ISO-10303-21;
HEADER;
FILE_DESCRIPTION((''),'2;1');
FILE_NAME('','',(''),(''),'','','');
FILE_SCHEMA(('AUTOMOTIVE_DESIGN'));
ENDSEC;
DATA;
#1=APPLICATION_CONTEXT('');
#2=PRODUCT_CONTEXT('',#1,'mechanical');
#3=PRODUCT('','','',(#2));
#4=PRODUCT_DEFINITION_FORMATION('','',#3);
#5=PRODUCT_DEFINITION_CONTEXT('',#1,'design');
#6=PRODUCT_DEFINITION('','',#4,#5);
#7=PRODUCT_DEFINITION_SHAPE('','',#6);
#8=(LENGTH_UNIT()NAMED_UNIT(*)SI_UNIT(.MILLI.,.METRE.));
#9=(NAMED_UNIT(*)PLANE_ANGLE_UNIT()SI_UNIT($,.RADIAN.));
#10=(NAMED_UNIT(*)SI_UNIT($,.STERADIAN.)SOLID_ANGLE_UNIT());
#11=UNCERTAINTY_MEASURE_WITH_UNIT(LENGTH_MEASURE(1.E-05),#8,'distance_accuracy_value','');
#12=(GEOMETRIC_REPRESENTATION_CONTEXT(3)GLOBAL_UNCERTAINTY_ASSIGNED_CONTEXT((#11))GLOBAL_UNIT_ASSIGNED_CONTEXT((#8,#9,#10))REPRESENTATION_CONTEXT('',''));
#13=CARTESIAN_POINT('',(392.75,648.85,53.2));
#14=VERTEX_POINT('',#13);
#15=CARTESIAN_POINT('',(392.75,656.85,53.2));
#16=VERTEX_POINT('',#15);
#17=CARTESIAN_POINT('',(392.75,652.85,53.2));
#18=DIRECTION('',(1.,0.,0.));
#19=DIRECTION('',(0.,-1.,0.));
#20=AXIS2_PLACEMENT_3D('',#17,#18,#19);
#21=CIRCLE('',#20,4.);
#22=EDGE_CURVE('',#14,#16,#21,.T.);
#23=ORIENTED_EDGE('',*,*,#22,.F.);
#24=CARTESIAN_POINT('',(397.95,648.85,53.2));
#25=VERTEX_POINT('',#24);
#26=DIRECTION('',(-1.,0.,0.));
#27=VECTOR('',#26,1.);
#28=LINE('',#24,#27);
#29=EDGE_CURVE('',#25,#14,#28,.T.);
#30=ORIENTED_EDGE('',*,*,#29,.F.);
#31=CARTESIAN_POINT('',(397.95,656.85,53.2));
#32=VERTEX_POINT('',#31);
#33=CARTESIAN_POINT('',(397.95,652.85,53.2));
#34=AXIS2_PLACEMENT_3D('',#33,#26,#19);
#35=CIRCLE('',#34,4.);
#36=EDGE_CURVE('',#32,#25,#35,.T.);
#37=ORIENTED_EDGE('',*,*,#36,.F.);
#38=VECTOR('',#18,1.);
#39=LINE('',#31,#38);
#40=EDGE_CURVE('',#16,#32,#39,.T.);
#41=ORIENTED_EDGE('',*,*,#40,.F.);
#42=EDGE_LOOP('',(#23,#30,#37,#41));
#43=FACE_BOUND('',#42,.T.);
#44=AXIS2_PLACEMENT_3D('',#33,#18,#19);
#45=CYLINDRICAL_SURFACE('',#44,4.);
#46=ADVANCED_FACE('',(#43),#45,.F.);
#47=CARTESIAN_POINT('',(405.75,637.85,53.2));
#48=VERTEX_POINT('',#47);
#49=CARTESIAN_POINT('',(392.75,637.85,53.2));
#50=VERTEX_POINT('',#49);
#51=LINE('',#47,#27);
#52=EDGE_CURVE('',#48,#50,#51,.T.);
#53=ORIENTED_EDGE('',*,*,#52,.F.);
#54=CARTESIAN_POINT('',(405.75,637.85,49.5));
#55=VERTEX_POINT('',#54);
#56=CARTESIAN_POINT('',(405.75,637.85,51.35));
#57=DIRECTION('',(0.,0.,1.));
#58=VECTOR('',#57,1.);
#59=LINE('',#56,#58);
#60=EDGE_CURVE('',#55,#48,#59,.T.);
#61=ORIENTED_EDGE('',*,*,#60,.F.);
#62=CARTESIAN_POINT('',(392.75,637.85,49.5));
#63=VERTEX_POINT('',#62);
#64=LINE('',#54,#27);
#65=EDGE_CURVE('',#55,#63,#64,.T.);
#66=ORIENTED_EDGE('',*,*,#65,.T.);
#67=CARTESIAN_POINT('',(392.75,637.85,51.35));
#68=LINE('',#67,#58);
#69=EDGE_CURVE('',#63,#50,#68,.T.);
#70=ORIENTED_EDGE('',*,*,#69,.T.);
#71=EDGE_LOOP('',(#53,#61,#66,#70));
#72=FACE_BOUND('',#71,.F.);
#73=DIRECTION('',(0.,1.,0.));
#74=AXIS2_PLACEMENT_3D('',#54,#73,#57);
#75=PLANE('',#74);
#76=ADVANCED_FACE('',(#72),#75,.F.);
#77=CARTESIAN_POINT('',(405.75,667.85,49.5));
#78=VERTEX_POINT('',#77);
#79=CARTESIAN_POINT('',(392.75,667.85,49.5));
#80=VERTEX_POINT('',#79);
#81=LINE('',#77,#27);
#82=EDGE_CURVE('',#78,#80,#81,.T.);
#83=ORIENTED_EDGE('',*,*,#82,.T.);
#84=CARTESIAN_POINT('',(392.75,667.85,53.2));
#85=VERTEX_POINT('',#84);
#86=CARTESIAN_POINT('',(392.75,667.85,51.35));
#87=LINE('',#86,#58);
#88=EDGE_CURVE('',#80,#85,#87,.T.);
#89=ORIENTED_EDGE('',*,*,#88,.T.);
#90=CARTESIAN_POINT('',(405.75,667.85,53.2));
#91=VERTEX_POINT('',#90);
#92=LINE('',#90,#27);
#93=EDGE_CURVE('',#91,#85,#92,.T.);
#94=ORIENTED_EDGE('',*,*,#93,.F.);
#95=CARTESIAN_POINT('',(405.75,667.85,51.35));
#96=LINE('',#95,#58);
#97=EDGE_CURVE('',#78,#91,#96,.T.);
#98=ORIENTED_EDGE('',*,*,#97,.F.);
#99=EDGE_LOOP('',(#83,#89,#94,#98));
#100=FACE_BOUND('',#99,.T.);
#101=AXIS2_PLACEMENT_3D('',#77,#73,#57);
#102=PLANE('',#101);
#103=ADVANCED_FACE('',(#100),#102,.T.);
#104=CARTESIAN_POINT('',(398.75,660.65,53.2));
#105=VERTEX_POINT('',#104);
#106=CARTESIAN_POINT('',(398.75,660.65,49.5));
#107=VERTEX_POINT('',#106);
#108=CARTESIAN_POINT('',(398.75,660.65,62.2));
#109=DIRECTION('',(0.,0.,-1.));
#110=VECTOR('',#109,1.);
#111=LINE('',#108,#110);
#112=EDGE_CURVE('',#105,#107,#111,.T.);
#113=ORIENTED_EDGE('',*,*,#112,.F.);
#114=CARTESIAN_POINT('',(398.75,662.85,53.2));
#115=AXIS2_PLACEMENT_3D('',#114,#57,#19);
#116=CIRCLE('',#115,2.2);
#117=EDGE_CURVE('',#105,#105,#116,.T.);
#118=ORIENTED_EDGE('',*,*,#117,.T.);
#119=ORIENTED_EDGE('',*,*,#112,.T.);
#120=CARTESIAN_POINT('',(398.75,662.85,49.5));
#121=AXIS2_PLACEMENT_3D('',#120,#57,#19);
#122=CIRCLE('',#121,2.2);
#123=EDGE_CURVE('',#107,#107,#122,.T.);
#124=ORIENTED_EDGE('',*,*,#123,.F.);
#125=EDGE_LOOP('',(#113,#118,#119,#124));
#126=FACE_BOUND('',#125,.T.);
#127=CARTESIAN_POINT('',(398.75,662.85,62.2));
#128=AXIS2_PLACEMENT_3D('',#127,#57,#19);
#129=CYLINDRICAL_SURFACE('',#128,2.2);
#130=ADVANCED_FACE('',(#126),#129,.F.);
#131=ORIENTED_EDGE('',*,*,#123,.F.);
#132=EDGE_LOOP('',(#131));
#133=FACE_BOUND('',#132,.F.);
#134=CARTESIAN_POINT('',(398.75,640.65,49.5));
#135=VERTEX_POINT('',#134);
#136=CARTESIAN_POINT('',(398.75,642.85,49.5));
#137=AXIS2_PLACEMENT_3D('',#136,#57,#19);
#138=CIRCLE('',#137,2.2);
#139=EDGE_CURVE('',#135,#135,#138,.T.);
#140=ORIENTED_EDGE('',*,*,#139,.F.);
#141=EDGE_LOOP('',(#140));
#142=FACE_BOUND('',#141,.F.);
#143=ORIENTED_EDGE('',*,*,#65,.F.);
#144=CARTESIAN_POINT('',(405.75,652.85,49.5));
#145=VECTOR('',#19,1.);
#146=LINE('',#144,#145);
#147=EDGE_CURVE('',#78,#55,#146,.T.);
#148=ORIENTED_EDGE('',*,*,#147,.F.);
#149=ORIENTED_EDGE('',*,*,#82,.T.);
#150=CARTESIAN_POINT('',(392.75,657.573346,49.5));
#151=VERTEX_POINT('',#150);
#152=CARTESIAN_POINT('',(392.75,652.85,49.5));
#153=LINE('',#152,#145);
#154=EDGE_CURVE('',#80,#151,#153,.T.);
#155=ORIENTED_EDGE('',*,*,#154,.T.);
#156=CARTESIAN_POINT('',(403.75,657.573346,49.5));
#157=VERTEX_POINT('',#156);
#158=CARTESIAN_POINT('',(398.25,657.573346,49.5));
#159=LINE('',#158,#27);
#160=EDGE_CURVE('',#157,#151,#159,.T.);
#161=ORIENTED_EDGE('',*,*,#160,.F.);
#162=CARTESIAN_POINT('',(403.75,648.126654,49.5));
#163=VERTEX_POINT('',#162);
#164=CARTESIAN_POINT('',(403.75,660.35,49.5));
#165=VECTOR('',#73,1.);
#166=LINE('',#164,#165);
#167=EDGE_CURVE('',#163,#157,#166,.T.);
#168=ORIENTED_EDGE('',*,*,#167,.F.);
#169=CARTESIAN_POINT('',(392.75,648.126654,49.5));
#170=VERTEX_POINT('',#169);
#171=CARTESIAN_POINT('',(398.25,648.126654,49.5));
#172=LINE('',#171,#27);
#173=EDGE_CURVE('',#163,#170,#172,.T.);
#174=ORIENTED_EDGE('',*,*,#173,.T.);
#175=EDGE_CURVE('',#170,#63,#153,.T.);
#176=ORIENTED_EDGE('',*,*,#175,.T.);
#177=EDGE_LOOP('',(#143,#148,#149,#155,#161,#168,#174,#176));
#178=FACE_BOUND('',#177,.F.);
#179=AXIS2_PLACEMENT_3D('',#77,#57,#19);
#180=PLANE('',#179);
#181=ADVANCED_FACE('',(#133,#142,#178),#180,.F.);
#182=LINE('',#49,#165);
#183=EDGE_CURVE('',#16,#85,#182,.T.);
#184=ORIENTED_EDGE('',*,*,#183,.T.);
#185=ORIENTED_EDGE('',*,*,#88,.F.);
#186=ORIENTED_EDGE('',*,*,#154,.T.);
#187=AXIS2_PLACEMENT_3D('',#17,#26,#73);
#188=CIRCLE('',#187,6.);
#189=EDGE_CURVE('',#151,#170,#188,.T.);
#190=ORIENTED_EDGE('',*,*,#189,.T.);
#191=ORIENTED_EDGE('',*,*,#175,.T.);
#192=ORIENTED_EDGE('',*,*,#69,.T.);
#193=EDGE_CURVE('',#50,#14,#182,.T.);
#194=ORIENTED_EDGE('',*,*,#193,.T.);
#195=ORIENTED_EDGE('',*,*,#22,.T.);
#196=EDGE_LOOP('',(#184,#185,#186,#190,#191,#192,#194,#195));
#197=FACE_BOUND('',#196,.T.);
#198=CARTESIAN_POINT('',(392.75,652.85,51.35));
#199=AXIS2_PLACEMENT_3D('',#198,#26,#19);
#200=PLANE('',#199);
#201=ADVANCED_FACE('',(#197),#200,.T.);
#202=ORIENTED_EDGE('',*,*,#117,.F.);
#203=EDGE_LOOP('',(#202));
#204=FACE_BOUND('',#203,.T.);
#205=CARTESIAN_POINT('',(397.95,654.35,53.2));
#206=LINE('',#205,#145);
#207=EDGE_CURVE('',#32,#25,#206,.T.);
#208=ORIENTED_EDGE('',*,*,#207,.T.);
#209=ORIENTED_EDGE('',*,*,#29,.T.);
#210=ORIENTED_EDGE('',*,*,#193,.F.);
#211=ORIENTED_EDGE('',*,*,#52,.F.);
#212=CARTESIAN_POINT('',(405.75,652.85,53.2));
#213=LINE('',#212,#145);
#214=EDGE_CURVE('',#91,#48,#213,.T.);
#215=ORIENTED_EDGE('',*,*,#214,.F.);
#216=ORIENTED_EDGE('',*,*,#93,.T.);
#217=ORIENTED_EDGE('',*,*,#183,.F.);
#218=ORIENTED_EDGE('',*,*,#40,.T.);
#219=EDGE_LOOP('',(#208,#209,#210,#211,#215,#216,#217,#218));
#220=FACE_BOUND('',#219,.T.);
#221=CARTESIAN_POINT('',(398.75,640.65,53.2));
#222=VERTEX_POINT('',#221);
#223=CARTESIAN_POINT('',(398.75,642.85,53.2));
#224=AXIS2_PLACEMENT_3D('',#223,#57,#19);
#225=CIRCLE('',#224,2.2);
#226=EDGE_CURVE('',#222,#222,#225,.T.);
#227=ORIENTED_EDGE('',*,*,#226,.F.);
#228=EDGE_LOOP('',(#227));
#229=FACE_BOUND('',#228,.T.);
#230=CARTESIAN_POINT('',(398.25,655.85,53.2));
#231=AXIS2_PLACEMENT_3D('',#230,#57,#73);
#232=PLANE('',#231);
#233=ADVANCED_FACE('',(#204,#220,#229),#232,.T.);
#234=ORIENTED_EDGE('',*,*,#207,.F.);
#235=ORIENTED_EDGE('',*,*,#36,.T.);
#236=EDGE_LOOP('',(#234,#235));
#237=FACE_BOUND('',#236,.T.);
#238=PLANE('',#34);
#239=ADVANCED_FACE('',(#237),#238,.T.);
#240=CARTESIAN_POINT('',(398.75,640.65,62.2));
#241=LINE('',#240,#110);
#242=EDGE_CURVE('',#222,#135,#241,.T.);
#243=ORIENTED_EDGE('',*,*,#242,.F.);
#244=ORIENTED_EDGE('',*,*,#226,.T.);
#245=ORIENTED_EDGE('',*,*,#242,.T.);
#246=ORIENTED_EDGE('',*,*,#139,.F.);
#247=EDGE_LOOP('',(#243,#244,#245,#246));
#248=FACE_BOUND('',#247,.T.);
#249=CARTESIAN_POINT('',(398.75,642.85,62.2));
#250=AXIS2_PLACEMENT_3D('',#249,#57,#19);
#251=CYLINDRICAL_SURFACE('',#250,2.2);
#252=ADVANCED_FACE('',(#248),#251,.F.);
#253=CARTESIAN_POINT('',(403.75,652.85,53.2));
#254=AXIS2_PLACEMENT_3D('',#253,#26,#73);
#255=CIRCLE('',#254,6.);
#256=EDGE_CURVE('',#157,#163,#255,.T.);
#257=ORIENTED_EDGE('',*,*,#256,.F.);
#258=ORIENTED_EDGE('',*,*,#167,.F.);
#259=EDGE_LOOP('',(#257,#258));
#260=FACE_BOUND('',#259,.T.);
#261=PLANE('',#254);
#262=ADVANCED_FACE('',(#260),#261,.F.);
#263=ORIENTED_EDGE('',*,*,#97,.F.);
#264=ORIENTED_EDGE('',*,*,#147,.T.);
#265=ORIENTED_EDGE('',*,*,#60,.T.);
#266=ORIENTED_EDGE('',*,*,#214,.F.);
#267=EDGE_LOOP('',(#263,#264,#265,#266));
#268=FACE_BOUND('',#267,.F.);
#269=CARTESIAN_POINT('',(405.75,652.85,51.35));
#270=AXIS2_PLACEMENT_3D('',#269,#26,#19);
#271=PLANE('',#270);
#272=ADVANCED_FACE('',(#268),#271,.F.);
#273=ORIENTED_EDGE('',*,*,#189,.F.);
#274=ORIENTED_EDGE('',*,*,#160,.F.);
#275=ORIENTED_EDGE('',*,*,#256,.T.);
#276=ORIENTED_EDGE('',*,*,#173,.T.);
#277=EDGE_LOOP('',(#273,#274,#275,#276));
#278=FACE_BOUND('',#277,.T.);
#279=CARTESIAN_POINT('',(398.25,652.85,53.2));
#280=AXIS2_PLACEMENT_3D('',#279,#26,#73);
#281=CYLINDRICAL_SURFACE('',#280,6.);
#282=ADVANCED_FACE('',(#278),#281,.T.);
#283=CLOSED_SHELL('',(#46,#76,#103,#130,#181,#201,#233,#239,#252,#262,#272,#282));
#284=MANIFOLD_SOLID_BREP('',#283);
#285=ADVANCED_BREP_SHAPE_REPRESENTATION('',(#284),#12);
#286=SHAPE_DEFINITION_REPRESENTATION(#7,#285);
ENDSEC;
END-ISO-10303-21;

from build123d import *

# Parameters (mm, degrees)
CYLINDER073_R          = 2.2
CYLINDER073_DEPTH      = 20
CYLINDER074_R          = 2.2
CYLINDER074_DEPTH      = 20
CYLINDER072_R          = 4
CYLINDER072_DEPTH      = 6.5
CYLINDER071_W          = 6
CYLINDER071_H          = 11
CYLINDER071_ANGLE      = 180
BOX054_W               = 30
BOX054_H               = 3.7
BOX054_DEPTH           = 13
CUT090_ROLL_ANGLE      = 90
CUT090_PLACEMENT_ANGLE = -90


with BuildPart() as zylinder062:
    # Cylinder073 → Cylinder073 (new body)
    with BuildSketch(Plane(origin=(-10, 9, 5), x_dir=(1, 0, 0), z_dir=(0, -1, 0))):
        Circle(CYLINDER073_R)
    extrude(amount=CYLINDER073_DEPTH)


with BuildPart() as zylinder063:
    # Cylinder074 → Cylinder074 (new body)
    with BuildSketch(Plane(origin=(10, 9, 5), x_dir=(1, 0, 0), z_dir=(0, -1, 0))):
        Circle(CYLINDER074_R)
    extrude(amount=CYLINDER074_DEPTH)


with BuildPart() as zylinder061:
    # Cylinder072 → Cylinder072 (new body)
    with BuildSketch(Plane.XY.offset(5.8)):
        Circle(CYLINDER072_R)
    extrude(amount=CYLINDER072_DEPTH)


with BuildPart() as zylinder060:
    # Cylinder071 → Cylinder071 (revolve)
    with BuildSketch(Plane(origin=(0, 0, 0), x_dir=(-1, 0, 0), z_dir=(0, 1, 0))):
        with Locations((3, 5.5)):
            Rectangle(CYLINDER071_W, CYLINDER071_H)
    revolve(axis=Axis((0, 0, 0), (0, 0, 1)), revolution_arc=CYLINDER071_ANGLE)


with BuildPart() as y_drive_mount_top004:
    # Box054 → Box054 (new body)
    with BuildSketch(Plane(origin=(-15, -3.7, -2), x_dir=(1, 0, 0), z_dir=(0, 0, 1))):
        with Locations((15, 1.85)):
            Rectangle(BOX054_W, BOX054_H)
    extrude(amount=BOX054_DEPTH)

    # Fusion041: union Zylinder060
    add(zylinder060.part)

    # Cut081: cut Zylinder061
    add(zylinder061.part, mode=Mode.SUBTRACT)

    # Cut082: cut Zylinder063
    add(zylinder063.part, mode=Mode.SUBTRACT)

    # Cut090: cut Zylinder062
    add(zylinder062.part, mode=Mode.SUBTRACT)


with BuildPart() as y_drive_mount_top004_1:
    # Cut090 roll: moved
    add(y_drive_mount_top004.part.rotate(Axis((0, 0, 0), (1, 0, 0)), CUT090_ROLL_ANGLE))


with BuildPart() as y_drive_mount_top004_2:
    # Cut090 placement: moved
    add(y_drive_mount_top004_1.part.moved(Location((403.75, 652.85, 53.2))).rotate(Axis((403.75, 652.85, 53.2), (0, 0, 1)), CUT090_PLACEMENT_ANGLE))


solid = y_drive_mount_top004_2.part
